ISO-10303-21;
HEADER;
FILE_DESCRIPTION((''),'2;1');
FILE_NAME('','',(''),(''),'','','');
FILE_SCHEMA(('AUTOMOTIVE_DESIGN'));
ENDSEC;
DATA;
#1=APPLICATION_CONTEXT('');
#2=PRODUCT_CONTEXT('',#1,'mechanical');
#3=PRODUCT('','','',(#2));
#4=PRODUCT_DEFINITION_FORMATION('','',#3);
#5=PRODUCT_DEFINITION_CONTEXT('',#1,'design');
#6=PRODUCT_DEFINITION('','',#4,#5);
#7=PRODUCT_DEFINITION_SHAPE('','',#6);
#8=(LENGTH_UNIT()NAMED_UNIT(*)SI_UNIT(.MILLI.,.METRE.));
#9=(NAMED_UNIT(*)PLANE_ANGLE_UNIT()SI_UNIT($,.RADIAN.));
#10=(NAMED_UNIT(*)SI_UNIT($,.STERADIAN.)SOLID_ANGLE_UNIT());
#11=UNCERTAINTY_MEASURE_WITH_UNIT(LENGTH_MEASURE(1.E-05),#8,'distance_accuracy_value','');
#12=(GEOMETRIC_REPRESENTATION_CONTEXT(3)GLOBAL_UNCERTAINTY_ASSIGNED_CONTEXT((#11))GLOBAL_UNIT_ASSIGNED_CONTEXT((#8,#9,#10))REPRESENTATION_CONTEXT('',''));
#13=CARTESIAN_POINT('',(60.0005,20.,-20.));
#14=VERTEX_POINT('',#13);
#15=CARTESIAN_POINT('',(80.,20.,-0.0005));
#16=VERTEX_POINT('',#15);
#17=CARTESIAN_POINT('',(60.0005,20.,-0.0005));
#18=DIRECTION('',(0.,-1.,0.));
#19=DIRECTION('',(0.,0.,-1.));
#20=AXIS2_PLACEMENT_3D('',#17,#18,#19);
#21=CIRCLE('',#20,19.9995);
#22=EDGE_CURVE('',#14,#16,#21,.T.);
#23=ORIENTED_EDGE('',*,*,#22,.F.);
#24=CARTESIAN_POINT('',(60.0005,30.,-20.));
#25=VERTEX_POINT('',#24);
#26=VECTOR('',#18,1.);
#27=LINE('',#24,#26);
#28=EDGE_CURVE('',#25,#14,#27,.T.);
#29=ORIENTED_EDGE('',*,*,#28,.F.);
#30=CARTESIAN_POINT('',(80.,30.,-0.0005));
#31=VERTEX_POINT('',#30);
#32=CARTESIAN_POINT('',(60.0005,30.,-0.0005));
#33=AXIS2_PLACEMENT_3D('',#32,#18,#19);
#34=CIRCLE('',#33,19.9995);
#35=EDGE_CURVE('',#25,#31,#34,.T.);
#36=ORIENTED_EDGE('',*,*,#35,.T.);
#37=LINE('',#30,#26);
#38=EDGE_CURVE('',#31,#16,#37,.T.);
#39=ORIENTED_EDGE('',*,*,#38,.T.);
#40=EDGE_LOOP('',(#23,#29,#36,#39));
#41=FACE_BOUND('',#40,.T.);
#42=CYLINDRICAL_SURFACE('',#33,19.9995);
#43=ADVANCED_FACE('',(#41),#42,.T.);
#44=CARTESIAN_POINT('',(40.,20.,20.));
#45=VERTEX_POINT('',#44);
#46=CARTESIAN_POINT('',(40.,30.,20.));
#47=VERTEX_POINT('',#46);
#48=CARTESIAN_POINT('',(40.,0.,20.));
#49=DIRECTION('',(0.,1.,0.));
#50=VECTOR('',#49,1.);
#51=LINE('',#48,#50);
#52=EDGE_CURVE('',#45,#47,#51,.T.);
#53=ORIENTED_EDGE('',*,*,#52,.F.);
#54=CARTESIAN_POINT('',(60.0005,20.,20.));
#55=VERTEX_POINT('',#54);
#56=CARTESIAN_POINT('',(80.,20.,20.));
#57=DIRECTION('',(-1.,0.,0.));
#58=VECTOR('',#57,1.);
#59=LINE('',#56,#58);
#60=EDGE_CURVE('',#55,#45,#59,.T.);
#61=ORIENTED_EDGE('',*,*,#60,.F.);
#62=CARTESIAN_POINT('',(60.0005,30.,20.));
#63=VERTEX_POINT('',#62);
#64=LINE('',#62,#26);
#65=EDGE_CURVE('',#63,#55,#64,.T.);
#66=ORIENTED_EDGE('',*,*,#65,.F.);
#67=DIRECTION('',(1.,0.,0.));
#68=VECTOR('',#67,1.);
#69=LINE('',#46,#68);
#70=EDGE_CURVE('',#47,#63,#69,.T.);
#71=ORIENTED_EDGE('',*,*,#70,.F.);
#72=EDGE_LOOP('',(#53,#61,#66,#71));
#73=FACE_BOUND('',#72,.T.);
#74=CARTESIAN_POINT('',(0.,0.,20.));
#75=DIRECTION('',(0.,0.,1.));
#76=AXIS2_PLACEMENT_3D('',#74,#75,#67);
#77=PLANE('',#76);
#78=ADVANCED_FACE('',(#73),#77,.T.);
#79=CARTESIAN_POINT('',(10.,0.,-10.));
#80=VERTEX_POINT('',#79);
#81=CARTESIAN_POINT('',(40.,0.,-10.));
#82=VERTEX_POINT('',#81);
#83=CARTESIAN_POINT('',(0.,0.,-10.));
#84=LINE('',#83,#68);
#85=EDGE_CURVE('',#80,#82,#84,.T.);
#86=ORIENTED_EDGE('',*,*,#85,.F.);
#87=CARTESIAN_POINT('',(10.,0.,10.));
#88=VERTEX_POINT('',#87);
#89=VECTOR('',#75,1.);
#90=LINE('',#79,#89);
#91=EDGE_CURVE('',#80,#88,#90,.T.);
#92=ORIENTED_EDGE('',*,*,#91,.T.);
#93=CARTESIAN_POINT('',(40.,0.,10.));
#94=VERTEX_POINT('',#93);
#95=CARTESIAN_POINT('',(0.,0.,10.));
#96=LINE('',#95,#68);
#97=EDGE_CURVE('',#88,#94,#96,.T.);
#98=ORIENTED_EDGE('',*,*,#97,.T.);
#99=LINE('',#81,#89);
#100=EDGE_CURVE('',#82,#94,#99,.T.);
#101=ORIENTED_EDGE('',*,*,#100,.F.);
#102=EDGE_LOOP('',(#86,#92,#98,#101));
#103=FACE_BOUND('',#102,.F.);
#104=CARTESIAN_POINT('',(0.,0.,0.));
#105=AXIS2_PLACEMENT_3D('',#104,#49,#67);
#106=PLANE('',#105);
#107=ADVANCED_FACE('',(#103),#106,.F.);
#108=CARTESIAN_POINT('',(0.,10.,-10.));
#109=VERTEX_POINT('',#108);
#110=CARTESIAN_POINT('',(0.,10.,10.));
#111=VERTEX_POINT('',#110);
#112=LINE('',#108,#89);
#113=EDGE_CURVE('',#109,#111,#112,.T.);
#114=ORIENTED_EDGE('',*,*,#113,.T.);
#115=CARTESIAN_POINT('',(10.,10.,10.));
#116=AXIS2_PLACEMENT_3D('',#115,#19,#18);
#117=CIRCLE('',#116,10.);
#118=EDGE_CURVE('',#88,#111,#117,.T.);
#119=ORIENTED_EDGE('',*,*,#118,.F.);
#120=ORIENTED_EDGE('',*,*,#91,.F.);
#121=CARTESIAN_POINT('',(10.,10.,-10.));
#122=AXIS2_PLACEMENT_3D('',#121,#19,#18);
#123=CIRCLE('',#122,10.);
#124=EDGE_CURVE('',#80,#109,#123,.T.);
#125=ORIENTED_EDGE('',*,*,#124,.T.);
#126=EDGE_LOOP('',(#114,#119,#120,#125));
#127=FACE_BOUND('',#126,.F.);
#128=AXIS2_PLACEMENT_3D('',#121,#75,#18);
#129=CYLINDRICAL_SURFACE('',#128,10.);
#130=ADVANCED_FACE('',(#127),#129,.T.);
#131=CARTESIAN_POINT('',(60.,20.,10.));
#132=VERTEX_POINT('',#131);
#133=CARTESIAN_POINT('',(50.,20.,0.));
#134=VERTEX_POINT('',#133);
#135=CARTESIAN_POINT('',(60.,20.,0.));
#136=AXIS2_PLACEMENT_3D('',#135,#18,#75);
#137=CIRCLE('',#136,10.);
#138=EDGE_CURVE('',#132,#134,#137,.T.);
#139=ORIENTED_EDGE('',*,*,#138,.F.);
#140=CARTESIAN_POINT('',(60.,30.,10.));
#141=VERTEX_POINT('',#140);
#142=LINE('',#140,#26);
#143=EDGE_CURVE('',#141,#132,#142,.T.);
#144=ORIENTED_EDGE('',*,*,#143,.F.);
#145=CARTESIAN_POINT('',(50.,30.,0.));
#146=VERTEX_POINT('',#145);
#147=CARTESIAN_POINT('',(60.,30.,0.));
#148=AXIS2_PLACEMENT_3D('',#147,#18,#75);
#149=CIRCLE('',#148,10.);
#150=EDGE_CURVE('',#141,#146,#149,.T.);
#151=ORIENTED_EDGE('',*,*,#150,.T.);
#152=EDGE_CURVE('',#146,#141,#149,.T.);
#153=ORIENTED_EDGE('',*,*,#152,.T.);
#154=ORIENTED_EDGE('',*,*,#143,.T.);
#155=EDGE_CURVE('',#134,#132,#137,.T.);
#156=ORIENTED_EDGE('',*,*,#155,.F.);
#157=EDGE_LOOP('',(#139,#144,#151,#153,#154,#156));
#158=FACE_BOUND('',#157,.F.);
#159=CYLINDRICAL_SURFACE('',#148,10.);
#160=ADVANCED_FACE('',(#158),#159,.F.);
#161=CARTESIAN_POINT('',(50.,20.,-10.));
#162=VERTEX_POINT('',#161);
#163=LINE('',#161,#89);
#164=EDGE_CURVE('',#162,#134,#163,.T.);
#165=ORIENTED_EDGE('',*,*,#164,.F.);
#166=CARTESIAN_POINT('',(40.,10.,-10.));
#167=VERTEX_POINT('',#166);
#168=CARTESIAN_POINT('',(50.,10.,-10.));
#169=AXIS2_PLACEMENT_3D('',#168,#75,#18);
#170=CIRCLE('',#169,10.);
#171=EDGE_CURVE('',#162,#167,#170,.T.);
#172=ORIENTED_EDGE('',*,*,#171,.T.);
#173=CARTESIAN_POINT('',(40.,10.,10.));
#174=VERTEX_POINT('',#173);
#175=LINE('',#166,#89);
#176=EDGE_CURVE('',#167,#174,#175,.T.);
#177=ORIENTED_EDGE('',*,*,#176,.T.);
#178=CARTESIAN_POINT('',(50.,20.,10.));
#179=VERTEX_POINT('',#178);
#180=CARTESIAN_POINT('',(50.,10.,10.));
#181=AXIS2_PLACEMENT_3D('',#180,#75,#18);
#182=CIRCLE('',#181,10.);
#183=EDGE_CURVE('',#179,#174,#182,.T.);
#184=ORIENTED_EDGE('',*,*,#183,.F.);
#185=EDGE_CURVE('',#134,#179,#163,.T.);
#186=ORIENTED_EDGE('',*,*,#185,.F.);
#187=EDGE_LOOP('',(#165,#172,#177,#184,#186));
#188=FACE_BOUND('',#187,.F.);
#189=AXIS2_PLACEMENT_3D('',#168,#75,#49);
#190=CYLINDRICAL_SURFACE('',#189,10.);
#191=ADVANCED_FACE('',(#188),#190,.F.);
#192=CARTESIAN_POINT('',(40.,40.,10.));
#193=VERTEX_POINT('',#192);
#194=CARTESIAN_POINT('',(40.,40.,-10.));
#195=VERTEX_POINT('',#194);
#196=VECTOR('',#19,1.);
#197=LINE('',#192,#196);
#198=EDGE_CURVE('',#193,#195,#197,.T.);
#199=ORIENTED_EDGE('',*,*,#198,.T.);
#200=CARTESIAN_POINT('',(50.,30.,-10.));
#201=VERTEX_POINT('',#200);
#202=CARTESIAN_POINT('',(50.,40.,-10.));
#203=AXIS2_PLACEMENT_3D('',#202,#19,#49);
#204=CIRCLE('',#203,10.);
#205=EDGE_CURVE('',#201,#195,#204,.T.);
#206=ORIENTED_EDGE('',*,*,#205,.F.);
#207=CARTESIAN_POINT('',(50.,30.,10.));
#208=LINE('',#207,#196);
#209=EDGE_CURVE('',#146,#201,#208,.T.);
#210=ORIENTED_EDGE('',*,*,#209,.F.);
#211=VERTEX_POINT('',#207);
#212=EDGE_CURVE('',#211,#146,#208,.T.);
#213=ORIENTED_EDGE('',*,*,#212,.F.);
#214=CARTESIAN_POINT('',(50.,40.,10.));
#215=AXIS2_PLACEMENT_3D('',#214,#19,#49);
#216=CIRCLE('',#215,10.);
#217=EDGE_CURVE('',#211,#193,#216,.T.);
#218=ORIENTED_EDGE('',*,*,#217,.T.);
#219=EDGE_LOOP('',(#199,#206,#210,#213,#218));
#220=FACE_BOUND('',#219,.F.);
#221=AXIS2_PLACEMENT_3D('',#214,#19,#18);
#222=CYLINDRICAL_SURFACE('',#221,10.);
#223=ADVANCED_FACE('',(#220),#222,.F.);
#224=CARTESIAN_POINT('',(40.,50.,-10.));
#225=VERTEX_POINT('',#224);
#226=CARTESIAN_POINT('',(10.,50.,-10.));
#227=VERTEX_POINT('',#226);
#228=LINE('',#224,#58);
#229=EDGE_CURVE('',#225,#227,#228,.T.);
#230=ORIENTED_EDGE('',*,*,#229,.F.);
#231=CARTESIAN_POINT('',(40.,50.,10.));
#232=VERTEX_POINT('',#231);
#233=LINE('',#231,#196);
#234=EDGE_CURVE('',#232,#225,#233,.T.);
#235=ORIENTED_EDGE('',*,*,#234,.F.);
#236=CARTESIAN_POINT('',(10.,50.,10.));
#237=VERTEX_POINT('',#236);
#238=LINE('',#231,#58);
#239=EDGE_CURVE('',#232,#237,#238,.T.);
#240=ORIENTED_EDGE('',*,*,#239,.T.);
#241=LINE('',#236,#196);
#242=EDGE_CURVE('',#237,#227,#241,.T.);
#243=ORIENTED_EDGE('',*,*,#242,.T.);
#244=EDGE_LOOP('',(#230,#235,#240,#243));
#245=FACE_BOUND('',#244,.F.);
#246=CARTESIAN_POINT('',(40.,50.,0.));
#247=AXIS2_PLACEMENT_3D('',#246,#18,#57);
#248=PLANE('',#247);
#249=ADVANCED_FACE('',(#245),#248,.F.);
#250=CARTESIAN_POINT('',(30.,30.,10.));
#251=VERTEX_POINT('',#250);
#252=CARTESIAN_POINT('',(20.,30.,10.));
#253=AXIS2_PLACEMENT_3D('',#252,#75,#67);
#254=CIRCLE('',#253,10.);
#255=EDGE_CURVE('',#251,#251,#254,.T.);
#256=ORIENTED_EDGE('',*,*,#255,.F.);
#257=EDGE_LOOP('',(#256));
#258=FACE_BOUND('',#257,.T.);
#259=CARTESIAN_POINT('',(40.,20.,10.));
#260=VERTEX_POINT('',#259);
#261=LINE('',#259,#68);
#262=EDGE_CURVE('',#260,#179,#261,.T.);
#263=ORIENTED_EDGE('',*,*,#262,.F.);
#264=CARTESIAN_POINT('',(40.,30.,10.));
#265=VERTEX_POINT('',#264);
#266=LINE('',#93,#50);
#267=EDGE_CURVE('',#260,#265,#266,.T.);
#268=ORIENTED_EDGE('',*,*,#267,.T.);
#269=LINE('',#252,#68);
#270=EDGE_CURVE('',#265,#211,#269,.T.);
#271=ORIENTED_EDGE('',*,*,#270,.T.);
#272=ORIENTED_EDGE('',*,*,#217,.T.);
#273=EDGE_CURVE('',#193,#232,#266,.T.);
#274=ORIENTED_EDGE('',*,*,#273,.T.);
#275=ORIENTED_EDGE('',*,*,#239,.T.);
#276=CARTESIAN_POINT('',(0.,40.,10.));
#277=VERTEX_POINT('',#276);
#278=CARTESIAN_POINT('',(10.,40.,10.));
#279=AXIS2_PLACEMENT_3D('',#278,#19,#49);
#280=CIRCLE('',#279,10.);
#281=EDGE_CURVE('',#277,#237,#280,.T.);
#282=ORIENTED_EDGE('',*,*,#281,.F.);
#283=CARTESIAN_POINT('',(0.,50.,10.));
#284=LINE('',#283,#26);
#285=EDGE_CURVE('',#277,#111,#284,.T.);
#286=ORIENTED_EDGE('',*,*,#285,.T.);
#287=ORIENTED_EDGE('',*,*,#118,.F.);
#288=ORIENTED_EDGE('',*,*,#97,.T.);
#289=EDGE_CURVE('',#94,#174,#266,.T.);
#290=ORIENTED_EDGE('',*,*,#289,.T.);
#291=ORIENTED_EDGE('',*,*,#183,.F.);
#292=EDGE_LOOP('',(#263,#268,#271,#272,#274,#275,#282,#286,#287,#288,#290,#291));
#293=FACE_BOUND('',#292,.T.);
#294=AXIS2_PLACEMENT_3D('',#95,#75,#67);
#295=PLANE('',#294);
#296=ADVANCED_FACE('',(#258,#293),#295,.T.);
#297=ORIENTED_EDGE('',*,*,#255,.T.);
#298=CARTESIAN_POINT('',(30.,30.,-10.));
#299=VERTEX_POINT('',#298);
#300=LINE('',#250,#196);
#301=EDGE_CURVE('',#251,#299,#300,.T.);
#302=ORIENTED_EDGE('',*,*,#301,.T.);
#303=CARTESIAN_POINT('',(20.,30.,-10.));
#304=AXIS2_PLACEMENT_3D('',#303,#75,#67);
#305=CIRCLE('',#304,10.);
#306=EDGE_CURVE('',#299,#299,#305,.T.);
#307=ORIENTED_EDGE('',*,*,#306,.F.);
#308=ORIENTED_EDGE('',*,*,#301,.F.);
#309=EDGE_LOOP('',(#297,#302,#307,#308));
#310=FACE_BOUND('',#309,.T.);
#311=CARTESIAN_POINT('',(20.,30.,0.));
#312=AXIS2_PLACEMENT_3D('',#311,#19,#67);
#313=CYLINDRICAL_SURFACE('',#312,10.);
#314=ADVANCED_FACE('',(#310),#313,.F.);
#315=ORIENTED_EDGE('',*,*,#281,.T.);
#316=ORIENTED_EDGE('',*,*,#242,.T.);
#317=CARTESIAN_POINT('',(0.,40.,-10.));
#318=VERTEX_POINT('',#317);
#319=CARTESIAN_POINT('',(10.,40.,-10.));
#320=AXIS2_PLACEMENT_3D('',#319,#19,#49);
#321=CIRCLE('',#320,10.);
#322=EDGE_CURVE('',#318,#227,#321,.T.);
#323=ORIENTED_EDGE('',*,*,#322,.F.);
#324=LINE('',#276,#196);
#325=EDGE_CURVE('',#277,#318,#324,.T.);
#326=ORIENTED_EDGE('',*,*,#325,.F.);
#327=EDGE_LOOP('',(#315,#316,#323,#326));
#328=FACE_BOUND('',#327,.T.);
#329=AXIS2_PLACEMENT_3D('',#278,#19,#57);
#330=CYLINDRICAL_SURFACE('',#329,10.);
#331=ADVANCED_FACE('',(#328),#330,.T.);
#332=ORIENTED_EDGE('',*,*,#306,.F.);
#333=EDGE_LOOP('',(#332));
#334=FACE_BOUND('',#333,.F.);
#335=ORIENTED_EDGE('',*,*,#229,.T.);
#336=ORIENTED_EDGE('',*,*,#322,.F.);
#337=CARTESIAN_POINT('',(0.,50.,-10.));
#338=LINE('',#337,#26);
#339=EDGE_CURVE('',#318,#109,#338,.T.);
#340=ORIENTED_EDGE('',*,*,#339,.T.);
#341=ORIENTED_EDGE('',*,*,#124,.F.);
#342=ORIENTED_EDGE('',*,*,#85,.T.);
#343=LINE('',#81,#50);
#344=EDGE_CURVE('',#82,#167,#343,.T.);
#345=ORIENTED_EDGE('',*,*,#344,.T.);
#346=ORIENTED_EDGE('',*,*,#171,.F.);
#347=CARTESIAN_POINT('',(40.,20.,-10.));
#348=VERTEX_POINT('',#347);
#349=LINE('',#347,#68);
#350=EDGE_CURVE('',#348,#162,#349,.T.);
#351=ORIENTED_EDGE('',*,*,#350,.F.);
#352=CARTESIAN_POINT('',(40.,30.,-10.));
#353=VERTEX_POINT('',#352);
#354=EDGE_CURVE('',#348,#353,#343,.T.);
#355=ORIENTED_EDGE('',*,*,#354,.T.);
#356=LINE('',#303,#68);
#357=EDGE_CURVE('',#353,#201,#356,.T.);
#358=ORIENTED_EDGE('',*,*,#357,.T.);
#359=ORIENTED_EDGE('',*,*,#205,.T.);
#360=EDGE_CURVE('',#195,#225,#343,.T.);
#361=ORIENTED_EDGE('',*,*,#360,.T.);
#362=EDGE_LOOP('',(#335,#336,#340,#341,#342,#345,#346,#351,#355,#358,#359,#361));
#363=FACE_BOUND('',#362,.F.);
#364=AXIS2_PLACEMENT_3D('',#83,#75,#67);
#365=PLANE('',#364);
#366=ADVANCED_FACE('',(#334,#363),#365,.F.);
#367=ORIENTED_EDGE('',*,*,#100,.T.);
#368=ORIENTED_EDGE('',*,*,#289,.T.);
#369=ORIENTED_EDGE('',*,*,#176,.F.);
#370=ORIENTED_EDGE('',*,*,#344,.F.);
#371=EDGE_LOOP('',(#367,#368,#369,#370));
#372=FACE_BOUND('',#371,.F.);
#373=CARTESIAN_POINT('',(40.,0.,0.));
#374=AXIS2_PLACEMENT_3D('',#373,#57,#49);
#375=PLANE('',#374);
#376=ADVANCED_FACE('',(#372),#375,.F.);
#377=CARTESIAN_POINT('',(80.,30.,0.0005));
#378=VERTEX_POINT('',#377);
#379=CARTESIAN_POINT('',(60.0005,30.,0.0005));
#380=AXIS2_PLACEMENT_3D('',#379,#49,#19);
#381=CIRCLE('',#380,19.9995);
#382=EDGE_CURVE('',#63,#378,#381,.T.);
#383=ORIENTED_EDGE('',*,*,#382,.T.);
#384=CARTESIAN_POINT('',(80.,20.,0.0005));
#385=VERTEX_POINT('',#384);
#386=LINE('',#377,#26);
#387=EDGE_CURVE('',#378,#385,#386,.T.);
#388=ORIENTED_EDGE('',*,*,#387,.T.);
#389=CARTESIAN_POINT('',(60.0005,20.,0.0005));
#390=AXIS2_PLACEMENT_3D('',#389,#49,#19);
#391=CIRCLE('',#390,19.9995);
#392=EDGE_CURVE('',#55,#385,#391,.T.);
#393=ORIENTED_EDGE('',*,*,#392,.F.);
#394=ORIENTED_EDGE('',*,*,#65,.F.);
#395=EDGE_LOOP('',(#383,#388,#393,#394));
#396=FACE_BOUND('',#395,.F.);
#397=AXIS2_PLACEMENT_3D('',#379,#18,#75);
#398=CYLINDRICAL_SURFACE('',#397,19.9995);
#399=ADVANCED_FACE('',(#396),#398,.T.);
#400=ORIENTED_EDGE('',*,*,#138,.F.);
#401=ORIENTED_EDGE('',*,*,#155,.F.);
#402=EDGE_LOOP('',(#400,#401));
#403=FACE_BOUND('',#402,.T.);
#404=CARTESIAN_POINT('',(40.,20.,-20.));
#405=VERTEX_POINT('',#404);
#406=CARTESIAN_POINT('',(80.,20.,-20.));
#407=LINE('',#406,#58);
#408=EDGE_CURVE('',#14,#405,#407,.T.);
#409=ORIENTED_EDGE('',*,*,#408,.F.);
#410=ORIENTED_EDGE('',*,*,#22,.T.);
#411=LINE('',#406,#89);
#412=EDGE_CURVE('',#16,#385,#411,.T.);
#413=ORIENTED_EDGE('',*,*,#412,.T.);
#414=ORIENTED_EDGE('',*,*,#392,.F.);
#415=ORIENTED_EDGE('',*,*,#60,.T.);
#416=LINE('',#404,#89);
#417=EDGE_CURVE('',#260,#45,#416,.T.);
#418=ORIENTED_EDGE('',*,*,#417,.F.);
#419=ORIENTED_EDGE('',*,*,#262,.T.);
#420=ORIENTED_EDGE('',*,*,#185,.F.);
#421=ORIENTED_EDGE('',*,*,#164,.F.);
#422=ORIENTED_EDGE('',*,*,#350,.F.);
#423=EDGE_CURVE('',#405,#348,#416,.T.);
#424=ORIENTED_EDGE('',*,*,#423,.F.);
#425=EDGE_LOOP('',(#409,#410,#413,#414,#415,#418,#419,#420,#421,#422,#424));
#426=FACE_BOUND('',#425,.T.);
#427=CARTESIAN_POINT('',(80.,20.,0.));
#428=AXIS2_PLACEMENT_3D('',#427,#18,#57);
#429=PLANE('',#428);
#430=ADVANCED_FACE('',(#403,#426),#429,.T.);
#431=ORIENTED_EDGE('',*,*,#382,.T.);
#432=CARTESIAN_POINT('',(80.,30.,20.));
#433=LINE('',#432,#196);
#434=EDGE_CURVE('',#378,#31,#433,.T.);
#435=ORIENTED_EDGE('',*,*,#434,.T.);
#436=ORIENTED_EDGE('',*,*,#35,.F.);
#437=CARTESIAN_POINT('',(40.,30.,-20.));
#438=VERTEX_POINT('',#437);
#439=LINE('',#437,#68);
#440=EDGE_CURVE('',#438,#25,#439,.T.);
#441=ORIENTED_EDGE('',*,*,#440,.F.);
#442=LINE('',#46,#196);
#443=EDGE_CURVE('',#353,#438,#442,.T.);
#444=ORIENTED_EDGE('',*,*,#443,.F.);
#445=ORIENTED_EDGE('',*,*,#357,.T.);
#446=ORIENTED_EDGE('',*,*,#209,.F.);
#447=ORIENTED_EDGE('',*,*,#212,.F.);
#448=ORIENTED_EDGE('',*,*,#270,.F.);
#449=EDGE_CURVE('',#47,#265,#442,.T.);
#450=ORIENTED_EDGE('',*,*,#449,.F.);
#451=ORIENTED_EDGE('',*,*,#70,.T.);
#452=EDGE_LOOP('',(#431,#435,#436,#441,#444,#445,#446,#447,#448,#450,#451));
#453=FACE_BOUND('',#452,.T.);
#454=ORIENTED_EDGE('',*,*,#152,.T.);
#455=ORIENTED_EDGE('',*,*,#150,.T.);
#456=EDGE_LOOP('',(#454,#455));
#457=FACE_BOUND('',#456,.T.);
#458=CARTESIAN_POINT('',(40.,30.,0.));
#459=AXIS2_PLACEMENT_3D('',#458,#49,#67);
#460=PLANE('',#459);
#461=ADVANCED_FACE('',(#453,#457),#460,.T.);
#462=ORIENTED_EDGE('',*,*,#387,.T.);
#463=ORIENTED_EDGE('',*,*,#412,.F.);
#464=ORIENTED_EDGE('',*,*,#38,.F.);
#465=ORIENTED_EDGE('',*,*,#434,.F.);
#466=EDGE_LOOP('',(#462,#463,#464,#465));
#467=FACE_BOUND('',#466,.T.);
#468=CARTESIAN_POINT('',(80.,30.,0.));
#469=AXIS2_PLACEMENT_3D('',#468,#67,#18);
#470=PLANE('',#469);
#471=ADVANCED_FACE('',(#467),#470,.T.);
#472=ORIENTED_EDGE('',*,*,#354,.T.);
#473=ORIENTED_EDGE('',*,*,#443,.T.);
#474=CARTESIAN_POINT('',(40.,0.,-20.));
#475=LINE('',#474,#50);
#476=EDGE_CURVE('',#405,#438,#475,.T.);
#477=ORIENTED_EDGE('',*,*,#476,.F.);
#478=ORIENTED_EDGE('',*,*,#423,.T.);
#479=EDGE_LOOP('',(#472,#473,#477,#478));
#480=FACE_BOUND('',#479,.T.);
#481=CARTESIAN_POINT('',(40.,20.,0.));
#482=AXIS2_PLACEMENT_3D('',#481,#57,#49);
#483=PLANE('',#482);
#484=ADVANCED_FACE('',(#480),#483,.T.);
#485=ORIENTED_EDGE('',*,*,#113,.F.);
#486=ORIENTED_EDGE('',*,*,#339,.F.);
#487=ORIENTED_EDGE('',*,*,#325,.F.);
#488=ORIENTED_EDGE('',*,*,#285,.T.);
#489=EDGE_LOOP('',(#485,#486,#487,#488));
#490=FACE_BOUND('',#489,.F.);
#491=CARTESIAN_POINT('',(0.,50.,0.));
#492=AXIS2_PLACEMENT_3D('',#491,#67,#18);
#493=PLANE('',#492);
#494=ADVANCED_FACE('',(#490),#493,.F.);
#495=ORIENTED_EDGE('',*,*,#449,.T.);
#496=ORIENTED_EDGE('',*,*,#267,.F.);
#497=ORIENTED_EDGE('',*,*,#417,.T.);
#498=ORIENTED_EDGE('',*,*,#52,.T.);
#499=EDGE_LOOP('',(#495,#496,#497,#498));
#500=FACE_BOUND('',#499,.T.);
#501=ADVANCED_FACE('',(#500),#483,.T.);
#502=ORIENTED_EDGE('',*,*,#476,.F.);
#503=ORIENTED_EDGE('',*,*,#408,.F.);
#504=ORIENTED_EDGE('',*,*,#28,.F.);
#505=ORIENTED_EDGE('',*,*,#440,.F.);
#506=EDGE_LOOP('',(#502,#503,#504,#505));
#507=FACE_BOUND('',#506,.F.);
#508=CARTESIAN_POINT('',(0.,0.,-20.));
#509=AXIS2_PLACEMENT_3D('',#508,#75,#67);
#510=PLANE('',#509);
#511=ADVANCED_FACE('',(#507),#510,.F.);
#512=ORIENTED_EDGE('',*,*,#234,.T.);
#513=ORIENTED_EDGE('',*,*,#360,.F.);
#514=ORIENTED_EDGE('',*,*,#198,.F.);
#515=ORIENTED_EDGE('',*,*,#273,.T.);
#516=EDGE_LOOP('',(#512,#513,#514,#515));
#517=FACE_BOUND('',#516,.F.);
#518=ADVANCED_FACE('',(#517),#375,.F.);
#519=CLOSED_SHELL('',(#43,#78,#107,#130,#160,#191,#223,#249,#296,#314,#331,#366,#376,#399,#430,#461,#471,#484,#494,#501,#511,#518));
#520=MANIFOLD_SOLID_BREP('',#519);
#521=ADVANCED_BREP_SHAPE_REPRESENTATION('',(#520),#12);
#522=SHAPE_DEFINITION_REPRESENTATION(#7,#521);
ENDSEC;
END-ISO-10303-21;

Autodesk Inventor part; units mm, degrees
ref_plane "YZ Plane" through (0, 0, 0) normal (1, 0, 0) x (0, 1, 0)
ref_plane "XZ Plane" through (0, 0, 0) normal (0, 1, 0) x (-1, 0, 0)
ref_plane "XY Plane" through (0, 0, 0) normal (0, 0, 1) x (1, 0, 0)
sketch "草圖1" plane through (0, 0, 0) normal (0, 0, 1) x (1, 0, 0)
  line L0 (0, 0) -> (40, 0)
  line L1 (40, 0) -> (40, 50)
  line L2 (40, 50) -> (0, 50)
  line L3 (0, 50) -> (0, 0)
  circle A0 centre (20, 30) radius 10
  dimension "d0" = 20
  dimension "d1" = 40
  dimension "d2" = 50
  dimension "d3" = 20
  dimension "d4" = 30
extrude "擠出1" add sketch "草圖1" along normal mid plane 20
sketch "草圖2" plane through (0, 0, 0) normal (0, 0, 1) x (1, 0, 0)
  line L0 (40, 0) -> (40, 50) projected
  line L1 (40, 30) -> (80, 30)
  line L2 (80, 30) -> (80, 20)
  line L3 (80, 20) -> (40, 20)
  line L4 (40, 20) -> (40, 30)
  line L5 (0, 0) -> (40, 0) projected
  dimension "d7" = 20
  dimension "d8" = 10
  dimension "d9" = 40
extrude "擠出2" add sketch "草圖2" along normal mid plane 40
fillet "圓角1" radius 20 2 edges at (80, 25, -20) (80, 25, 20)
fillet "圓角2" radius 10 2 edges at (40, 30, 0) (40, 20, 0)
fillet "圓角3" radius 10 2 edges at (0, 50, 0) (0, 0, 0)
sketch "草圖3" plane through (40, 30, 20) normal (0, 1, 0) x (1, 0, 0)
  arc A0 (20, 0) -> (20, 40) centre (20, 20) ccw projected
  point P0 (-40, 20)
hole "孔1" at (60, 30, 0) direction (0, -1, 0) diameter 20 end through all
